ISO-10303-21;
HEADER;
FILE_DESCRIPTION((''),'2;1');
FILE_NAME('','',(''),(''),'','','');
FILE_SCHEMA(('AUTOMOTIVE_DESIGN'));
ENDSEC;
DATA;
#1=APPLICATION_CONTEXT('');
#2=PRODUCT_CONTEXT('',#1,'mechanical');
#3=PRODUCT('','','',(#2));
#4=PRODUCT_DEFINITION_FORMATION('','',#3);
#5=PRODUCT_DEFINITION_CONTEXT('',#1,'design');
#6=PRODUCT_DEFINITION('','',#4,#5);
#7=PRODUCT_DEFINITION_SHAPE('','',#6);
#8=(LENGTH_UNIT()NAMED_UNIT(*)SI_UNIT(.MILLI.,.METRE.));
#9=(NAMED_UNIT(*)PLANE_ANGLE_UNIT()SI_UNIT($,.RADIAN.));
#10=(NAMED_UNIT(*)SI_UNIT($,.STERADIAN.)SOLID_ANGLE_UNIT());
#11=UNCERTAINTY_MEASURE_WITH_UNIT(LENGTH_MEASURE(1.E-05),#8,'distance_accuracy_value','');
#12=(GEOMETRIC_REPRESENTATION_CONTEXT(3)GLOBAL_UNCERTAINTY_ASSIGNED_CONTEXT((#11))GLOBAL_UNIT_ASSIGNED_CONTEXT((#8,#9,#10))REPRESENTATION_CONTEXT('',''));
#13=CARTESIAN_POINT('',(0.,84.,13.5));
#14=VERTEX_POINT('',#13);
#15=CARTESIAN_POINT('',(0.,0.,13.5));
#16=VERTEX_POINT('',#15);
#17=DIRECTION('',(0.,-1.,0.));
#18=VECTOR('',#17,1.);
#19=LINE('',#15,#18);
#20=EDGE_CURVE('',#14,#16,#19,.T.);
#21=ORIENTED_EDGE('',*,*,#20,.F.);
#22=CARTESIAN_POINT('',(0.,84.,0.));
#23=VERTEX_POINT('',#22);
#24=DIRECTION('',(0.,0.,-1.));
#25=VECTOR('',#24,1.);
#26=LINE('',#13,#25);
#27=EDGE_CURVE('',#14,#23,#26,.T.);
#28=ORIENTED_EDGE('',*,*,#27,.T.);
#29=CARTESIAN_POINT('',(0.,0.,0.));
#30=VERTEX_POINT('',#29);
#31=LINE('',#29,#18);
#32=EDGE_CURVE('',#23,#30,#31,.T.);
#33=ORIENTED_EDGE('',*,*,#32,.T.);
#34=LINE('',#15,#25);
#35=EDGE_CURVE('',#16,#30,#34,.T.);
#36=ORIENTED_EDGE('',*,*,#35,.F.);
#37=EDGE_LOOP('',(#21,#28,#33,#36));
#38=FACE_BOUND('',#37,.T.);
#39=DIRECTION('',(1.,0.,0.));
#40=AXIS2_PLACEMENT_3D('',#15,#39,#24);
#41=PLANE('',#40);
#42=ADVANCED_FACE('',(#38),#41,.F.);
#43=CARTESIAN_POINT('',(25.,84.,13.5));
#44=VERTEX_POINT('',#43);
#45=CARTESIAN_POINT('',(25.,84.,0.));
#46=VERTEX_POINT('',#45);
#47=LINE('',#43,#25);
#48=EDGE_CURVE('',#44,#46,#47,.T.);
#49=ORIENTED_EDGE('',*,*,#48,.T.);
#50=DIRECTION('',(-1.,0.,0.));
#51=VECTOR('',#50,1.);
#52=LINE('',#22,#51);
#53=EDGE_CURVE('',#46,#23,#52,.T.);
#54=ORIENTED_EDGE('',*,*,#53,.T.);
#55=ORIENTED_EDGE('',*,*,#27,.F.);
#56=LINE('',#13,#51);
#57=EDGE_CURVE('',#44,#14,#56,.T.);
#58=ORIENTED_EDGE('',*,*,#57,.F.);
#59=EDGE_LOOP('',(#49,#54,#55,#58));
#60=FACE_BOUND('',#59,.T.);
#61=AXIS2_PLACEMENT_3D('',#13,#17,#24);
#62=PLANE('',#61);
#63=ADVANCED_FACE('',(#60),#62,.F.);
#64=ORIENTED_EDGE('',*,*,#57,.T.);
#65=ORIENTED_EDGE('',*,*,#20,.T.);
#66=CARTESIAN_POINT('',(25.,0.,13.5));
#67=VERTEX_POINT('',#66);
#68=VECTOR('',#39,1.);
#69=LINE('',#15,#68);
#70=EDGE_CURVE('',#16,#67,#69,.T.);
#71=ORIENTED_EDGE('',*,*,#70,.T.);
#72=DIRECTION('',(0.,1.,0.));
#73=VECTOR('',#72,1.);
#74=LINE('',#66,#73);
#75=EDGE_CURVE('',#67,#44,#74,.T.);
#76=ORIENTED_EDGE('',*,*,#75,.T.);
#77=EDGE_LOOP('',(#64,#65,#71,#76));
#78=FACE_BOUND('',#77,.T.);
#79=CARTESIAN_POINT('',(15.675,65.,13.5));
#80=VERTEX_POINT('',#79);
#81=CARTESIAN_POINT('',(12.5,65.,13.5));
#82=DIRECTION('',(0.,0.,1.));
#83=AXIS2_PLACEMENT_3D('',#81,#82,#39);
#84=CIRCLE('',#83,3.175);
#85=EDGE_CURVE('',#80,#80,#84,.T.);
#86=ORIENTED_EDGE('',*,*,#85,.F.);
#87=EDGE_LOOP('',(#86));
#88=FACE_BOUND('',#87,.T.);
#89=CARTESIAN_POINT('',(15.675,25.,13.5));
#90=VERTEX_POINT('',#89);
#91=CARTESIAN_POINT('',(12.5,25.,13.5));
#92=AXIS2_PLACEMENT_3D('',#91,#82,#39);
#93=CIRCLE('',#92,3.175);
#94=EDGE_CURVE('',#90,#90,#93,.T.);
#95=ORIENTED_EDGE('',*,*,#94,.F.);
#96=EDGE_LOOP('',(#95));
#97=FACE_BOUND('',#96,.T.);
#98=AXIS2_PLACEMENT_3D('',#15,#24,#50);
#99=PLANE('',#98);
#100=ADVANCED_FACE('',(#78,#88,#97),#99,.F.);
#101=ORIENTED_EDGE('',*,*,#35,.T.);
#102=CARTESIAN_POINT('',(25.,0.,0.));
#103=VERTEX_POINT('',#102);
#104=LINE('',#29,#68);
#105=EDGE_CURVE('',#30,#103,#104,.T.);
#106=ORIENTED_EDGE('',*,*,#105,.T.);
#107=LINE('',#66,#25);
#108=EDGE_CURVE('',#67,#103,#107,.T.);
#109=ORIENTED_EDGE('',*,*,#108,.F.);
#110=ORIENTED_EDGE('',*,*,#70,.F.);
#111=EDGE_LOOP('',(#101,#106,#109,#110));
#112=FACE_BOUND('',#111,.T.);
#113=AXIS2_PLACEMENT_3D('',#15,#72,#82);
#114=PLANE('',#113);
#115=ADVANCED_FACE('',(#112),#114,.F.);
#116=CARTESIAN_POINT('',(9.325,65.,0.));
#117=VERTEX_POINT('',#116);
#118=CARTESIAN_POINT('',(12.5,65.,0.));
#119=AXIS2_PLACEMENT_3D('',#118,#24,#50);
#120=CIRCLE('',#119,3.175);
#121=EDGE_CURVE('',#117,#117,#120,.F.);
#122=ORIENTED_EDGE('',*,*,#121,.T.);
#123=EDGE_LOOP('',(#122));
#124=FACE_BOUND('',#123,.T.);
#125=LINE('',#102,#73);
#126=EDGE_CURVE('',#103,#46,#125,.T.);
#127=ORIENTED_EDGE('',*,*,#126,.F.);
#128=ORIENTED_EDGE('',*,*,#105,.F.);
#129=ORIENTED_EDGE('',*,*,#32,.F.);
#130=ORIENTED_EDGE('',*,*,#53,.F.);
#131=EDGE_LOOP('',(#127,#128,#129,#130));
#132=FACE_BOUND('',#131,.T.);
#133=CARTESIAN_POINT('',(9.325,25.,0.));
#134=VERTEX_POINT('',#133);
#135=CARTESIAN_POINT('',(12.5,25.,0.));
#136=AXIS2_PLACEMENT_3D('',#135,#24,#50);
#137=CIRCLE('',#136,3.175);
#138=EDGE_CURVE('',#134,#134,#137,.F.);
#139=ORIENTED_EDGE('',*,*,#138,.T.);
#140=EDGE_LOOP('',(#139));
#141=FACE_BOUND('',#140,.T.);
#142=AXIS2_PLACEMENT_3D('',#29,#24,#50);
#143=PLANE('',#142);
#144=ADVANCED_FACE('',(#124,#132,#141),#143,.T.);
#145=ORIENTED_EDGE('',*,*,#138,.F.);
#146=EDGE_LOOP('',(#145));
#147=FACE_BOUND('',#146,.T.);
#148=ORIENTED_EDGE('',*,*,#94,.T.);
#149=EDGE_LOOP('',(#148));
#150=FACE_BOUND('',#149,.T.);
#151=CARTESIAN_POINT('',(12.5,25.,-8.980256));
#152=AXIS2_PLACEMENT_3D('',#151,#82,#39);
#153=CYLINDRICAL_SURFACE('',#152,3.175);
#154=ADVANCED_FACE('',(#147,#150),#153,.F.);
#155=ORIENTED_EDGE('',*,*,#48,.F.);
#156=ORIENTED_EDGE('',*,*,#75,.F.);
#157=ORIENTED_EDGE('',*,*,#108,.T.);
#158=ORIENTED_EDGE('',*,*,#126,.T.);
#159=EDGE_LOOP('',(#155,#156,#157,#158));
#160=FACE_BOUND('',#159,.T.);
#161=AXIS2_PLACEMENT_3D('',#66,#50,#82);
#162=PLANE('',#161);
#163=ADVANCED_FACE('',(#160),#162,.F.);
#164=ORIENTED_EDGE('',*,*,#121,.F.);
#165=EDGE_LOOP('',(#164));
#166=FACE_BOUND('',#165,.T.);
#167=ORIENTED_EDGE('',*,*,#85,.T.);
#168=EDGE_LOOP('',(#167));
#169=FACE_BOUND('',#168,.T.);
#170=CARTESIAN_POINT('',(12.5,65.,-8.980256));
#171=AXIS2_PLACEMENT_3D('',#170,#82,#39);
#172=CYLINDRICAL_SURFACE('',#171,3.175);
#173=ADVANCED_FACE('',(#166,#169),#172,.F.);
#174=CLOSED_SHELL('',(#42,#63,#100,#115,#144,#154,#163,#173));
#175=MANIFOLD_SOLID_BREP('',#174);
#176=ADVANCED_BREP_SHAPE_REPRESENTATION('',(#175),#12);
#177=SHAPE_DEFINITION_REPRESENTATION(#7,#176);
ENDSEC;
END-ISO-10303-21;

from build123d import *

# Parameters (mm, degrees)
SKETCH1_W           = 25
SKETCH1_H           = 84
BOSS_EXTRUDE1_DEPTH = 13.5
SKETCH2_R           = 3.175
CUT_EXTRUDE1_DEPTH  = 13.5


with BuildPart() as part:
    # Sketch1 → Boss-Extrude1 (new body)
    with BuildSketch(Plane.XY):
        with Locations((12.5, 42)):
            Rectangle(SKETCH1_W, SKETCH1_H)
    extrude(amount=BOSS_EXTRUDE1_DEPTH)

    # Sketch2 → Cut-Extrude1 (cut)
    with BuildSketch(Plane.XY.offset(13.5)):
        with Locations((12.5, 65)):
            Circle(SKETCH2_R)
        with Locations((12.5, 25)):
            Circle(SKETCH2_R)
    extrude(amount=-CUT_EXTRUDE1_DEPTH, mode=Mode.SUBTRACT)


solid = part.part
